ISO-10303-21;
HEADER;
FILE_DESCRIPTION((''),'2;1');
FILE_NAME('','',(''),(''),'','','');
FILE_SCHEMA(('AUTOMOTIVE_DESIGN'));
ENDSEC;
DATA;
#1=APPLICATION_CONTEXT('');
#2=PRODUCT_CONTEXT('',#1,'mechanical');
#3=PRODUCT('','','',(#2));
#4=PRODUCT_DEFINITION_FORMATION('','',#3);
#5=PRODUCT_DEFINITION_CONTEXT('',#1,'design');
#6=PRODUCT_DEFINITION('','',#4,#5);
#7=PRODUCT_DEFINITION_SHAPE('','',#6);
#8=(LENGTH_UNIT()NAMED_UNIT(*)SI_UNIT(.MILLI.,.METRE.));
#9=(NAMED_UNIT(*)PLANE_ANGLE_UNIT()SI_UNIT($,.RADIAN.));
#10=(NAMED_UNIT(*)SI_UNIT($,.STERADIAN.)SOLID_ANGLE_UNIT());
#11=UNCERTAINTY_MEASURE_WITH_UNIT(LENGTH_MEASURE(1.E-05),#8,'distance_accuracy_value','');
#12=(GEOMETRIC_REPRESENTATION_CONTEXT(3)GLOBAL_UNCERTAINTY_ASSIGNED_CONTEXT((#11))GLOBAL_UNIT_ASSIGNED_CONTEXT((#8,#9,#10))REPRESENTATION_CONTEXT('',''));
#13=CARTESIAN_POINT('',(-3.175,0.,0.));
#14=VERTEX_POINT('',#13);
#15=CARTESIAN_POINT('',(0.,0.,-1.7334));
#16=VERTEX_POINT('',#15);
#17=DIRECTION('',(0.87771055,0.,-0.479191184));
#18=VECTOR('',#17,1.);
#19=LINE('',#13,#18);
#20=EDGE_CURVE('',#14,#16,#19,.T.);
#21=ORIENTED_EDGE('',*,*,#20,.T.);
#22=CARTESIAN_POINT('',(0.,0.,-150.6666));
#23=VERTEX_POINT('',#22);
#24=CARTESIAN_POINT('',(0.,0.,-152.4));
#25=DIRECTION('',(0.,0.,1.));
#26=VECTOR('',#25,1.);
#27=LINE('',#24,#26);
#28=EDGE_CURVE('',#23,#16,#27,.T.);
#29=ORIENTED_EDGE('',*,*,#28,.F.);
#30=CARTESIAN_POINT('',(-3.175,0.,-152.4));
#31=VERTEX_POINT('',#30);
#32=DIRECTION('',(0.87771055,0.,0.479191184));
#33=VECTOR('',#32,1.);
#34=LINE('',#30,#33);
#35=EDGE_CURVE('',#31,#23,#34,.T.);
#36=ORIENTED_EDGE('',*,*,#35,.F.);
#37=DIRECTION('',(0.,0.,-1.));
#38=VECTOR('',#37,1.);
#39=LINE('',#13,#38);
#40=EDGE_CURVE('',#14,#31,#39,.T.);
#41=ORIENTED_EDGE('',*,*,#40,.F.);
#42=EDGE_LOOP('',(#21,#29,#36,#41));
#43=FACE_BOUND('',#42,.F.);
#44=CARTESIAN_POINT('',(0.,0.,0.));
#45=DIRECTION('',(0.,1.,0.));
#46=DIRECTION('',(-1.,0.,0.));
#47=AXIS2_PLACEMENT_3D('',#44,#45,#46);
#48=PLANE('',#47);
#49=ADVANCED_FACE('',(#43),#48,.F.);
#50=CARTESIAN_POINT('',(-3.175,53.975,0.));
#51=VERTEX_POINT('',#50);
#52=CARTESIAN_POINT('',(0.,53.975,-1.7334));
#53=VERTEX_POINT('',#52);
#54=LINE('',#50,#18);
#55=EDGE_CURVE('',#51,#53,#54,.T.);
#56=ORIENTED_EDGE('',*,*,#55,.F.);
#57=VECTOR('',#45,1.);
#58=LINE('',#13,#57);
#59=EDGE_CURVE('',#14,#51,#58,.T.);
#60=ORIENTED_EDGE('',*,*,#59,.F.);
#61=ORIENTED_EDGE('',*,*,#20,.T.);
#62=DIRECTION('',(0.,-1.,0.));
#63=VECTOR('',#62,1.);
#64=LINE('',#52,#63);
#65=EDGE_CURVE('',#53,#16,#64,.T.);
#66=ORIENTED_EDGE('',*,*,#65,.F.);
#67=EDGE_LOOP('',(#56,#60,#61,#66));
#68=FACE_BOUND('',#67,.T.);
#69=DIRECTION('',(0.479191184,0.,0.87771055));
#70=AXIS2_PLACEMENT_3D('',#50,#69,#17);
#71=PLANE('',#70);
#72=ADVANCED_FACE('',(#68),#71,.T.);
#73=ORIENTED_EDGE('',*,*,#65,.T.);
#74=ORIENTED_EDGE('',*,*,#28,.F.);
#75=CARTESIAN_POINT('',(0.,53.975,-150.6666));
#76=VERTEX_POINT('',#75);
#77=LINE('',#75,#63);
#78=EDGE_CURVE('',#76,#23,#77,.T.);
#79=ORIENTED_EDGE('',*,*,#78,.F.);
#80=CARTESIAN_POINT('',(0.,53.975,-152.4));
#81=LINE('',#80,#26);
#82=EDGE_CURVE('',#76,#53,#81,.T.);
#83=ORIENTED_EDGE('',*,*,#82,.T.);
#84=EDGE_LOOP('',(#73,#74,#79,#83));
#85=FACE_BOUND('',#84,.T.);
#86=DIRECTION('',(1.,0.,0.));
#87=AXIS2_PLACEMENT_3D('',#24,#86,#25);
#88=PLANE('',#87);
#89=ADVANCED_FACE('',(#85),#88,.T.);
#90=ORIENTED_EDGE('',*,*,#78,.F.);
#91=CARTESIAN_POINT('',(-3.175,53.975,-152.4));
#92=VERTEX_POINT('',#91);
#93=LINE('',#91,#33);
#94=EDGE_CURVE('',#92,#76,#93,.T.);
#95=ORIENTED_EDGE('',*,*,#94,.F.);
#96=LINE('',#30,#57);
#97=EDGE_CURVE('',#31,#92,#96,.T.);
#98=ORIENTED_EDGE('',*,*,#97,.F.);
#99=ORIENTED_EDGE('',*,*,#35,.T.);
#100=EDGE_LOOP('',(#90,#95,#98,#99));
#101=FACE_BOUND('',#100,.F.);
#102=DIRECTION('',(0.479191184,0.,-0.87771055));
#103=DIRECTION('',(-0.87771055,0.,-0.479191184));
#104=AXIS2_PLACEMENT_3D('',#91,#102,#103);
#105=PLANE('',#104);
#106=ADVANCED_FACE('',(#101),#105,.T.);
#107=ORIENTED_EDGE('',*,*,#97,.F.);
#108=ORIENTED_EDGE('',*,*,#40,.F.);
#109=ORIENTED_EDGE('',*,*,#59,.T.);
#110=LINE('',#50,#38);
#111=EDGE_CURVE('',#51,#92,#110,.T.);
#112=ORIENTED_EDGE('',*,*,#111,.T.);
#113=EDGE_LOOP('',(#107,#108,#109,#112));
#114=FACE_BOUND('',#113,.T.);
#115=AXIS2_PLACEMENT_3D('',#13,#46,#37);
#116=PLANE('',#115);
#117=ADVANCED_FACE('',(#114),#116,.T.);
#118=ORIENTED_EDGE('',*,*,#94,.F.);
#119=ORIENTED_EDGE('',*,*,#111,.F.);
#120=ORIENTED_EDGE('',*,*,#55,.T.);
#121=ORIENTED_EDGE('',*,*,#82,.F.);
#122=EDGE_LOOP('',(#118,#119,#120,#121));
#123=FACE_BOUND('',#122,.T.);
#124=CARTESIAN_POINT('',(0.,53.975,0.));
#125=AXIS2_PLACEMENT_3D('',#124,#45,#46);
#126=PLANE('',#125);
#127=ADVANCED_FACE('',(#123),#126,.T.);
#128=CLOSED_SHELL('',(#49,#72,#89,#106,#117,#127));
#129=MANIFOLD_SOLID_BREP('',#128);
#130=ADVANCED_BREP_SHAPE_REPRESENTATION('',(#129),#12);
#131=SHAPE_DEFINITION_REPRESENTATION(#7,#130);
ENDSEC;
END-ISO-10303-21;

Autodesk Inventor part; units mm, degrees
ref_plane "YZ Plane" through (0, 0, 0) normal (1, 0, 0) x (0, 1, 0)
ref_plane "XZ Plane" through (0, 0, 0) normal (0, 1, 0) x (-1, 0, 0)
sketch "Sketch1" plane through (0, 0, 0) normal (0, 1, 0) x (-1, 0, 0)
  line L0 (0, 0) -> (3.175, 0)
  line L1 (3.175, 0) -> (3.175, -152.4)
  line L2 (3.175, -152.4) -> (0, -152.4)
  line L3 (0, -152.4) -> (0, 0)
  dimension "d0" = 3.175
  dimension "d1" = 152.4
extrude "Extrusion1" add sketch "Sketch1" along normal blind 53.975
sketch "Sketch2" plane through (0, 53.975, 0) normal (0, 1, 0) x (1, 0, 0)
  line L0 (-3.175, 152.4) -> (-3.175, 0) projected
  line L1 (-3.175, 0) -> (78.8226, -52.7127)
  line L2 (78.8226, -52.7127) -> (78.8226, -16.7976)
  line L3 (-3.175, 0) -> (11.7687, 8.1586)
  line L4 (0, 0) -> (0, 152.4) projected
  line L5 (0, 1.7334) -> (0, 0)
  line L6 (0, 0) -> (-3.175, 0)
  dimension "d4" = 57.265
  dimension "d5" = 61.368
ref_plane "Work Plane1" through (0, 0, -76.2) normal (0, 0, -1) x (-1, 0, 0)
extrude "Extrusion2" cut sketch "Sketch2" against normal blind 53.975
mirror "Mirror1" about plane through (0, 0, -76.2) normal (0, 0, -1) of "Extrusion2"
sketch "Sketch3" plane through (-3.175, 0, 0) normal (-1, 0, 0) x (0, 0, 1)
  line L0 (-152.4, 53.975) -> (0, 53.975) projected
  line L1 (-152.4, 0) -> (-152.4, 53.975) projected
  point P0 (0, 0)
  point P1 (-120.65, 44.45)
  point P2 (-31.75, 44.45)
  dimension "d8" = 9.525
  dimension "d9" = 31.75
  dimension "d10" = 31.75
properties part number "Back Wall"
